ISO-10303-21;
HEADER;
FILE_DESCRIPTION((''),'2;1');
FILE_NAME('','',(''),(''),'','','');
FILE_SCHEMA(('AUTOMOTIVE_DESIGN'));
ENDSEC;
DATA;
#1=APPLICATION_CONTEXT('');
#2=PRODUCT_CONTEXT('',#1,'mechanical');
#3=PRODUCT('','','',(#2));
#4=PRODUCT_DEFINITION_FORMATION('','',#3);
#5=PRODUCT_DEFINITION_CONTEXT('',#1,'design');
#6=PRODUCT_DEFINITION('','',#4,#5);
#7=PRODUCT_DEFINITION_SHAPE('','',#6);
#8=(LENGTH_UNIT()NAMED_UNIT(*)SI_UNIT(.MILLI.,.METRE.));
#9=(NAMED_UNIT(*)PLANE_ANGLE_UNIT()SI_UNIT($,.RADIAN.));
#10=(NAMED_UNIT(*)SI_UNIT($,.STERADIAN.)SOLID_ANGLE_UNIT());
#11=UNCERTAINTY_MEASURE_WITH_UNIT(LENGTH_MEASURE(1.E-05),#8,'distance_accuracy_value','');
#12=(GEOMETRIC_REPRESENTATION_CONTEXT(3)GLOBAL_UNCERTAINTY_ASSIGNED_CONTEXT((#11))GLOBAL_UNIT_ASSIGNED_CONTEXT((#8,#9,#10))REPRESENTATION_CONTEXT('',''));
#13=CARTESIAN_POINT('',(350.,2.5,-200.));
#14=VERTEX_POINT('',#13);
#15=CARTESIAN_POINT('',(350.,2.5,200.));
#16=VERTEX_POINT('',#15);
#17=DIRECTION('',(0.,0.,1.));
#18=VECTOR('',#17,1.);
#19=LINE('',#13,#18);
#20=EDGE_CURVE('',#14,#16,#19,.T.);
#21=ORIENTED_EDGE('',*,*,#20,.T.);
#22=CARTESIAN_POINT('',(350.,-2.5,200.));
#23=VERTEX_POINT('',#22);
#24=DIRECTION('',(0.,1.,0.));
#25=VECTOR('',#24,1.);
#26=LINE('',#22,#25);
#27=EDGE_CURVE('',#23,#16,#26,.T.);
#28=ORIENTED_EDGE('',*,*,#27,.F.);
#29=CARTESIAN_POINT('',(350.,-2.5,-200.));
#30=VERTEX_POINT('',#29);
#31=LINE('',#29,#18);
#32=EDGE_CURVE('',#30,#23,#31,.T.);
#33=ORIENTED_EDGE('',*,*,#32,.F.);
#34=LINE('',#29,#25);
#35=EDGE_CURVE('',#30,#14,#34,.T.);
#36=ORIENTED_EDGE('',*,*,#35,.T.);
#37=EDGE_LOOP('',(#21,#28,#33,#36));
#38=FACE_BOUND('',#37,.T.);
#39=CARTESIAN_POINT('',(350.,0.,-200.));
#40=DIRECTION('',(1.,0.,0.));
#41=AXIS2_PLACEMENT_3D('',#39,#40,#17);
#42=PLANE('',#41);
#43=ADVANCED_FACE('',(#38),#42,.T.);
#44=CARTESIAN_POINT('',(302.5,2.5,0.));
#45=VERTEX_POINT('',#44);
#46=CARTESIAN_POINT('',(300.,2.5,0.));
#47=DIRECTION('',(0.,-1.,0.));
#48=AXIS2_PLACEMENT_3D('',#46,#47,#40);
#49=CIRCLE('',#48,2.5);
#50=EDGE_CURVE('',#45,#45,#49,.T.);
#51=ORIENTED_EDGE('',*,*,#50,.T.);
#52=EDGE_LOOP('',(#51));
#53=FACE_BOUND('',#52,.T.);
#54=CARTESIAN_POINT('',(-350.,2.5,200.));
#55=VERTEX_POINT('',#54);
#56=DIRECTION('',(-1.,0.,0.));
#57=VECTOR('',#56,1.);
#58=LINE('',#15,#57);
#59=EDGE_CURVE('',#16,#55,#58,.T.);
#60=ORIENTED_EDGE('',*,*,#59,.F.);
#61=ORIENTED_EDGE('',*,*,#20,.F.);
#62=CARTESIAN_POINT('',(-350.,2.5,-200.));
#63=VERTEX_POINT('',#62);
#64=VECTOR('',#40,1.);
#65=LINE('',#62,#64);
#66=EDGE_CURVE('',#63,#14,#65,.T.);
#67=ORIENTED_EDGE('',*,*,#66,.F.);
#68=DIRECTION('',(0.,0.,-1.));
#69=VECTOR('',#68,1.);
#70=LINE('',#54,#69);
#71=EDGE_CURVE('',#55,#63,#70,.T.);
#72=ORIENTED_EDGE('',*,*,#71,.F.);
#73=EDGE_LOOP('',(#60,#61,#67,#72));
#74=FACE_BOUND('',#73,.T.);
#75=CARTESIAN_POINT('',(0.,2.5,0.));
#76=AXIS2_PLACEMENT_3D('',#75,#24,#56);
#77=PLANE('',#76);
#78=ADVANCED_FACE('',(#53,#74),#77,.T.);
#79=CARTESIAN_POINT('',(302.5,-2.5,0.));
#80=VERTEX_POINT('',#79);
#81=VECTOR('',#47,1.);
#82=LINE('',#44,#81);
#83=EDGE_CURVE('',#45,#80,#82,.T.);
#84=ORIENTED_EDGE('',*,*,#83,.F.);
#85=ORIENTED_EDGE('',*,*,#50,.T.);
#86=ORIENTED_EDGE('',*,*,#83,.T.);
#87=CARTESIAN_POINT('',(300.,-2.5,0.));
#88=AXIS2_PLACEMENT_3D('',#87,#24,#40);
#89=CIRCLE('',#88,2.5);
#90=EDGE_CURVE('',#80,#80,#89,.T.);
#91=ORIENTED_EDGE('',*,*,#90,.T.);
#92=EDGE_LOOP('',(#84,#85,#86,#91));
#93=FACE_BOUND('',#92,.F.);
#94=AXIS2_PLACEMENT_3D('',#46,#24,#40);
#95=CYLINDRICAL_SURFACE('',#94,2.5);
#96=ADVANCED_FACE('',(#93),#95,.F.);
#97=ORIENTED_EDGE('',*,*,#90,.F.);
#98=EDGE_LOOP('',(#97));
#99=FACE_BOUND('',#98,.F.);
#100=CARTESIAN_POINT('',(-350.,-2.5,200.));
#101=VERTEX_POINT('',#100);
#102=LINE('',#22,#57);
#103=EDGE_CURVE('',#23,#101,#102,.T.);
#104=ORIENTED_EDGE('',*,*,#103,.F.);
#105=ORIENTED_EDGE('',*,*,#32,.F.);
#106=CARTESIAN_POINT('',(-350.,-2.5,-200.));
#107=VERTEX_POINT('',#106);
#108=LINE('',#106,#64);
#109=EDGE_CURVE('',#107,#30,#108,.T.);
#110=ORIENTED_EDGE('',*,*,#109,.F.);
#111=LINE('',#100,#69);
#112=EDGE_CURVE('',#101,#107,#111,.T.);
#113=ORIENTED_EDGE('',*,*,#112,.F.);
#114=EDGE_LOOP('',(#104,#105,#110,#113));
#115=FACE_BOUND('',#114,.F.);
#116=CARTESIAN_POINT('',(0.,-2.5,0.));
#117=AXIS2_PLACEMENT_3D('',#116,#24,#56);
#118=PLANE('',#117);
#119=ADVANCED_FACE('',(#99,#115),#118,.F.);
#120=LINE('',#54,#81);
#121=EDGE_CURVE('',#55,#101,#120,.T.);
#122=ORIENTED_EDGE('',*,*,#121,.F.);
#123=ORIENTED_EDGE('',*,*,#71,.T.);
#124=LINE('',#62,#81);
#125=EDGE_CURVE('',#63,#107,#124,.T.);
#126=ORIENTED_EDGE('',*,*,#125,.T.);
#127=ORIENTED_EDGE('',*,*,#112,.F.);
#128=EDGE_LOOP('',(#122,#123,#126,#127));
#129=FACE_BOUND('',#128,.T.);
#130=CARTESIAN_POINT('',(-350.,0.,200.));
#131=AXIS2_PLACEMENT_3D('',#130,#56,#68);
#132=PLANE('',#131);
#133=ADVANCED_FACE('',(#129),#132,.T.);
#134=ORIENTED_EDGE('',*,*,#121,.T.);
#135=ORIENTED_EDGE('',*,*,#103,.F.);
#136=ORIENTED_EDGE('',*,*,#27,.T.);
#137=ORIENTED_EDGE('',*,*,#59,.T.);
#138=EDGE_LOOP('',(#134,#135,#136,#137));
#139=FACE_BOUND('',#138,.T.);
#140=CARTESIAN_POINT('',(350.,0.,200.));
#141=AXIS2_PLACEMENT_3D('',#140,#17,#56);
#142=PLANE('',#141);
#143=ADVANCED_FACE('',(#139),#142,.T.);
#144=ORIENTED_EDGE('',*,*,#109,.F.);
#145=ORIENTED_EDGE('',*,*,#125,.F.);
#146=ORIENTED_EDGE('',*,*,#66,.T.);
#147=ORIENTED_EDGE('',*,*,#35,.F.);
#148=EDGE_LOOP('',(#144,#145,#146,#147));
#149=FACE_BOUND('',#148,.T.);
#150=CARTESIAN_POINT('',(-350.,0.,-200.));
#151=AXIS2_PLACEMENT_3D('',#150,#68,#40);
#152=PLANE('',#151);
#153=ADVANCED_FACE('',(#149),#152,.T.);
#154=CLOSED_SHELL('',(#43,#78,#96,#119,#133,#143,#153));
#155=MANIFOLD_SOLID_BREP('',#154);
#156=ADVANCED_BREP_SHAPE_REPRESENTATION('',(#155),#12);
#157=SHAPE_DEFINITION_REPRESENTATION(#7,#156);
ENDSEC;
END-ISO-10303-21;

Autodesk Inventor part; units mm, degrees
ref_plane "YZ Plane" through (0, 0, 0) normal (1, 0, 0) x (0, 1, 0)
ref_plane "XZ Plane" through (0, 0, 0) normal (0, 1, 0) x (-1, 0, 0)
ref_plane "XY Plane" through (0, 0, 0) normal (0, 0, 1) x (1, 0, 0)
sketch "スケッチ1" plane through (0, 0, 0) normal (0, 1, 0) x (-1, 0, 0)
  line L0 (-350, 200) -> (350, 200)
  line L1 (350, 200) -> (350, -200)
  line L2 (350, -200) -> (-350, -200)
  line L3 (-350, -200) -> (-350, 200)
  line L4 (-350, 200) -> (350, -200) construction
  line L5 (350, 200) -> (-350, -200) construction
  point P0 (0, 0)
  dimension "d0" = 700
  dimension "d1" = 400
extrude "押し出し1" add sketch "スケッチ1" along normal mid plane 5
sketch "スケッチ2" plane through (0, 2.5, 0) normal (0, 1, 0) x (1, 0, 0)
  circle A0 centre (300, 0) radius 2.5
  line L0 (-490, 0) -> (490, 0) projected
  point P0 (0, 0)
  dimension "d4" = 300
  dimension "d5" = 5
extrude "押し出し2" cut sketch "スケッチ2" against normal through all
properties part number "endplate"
